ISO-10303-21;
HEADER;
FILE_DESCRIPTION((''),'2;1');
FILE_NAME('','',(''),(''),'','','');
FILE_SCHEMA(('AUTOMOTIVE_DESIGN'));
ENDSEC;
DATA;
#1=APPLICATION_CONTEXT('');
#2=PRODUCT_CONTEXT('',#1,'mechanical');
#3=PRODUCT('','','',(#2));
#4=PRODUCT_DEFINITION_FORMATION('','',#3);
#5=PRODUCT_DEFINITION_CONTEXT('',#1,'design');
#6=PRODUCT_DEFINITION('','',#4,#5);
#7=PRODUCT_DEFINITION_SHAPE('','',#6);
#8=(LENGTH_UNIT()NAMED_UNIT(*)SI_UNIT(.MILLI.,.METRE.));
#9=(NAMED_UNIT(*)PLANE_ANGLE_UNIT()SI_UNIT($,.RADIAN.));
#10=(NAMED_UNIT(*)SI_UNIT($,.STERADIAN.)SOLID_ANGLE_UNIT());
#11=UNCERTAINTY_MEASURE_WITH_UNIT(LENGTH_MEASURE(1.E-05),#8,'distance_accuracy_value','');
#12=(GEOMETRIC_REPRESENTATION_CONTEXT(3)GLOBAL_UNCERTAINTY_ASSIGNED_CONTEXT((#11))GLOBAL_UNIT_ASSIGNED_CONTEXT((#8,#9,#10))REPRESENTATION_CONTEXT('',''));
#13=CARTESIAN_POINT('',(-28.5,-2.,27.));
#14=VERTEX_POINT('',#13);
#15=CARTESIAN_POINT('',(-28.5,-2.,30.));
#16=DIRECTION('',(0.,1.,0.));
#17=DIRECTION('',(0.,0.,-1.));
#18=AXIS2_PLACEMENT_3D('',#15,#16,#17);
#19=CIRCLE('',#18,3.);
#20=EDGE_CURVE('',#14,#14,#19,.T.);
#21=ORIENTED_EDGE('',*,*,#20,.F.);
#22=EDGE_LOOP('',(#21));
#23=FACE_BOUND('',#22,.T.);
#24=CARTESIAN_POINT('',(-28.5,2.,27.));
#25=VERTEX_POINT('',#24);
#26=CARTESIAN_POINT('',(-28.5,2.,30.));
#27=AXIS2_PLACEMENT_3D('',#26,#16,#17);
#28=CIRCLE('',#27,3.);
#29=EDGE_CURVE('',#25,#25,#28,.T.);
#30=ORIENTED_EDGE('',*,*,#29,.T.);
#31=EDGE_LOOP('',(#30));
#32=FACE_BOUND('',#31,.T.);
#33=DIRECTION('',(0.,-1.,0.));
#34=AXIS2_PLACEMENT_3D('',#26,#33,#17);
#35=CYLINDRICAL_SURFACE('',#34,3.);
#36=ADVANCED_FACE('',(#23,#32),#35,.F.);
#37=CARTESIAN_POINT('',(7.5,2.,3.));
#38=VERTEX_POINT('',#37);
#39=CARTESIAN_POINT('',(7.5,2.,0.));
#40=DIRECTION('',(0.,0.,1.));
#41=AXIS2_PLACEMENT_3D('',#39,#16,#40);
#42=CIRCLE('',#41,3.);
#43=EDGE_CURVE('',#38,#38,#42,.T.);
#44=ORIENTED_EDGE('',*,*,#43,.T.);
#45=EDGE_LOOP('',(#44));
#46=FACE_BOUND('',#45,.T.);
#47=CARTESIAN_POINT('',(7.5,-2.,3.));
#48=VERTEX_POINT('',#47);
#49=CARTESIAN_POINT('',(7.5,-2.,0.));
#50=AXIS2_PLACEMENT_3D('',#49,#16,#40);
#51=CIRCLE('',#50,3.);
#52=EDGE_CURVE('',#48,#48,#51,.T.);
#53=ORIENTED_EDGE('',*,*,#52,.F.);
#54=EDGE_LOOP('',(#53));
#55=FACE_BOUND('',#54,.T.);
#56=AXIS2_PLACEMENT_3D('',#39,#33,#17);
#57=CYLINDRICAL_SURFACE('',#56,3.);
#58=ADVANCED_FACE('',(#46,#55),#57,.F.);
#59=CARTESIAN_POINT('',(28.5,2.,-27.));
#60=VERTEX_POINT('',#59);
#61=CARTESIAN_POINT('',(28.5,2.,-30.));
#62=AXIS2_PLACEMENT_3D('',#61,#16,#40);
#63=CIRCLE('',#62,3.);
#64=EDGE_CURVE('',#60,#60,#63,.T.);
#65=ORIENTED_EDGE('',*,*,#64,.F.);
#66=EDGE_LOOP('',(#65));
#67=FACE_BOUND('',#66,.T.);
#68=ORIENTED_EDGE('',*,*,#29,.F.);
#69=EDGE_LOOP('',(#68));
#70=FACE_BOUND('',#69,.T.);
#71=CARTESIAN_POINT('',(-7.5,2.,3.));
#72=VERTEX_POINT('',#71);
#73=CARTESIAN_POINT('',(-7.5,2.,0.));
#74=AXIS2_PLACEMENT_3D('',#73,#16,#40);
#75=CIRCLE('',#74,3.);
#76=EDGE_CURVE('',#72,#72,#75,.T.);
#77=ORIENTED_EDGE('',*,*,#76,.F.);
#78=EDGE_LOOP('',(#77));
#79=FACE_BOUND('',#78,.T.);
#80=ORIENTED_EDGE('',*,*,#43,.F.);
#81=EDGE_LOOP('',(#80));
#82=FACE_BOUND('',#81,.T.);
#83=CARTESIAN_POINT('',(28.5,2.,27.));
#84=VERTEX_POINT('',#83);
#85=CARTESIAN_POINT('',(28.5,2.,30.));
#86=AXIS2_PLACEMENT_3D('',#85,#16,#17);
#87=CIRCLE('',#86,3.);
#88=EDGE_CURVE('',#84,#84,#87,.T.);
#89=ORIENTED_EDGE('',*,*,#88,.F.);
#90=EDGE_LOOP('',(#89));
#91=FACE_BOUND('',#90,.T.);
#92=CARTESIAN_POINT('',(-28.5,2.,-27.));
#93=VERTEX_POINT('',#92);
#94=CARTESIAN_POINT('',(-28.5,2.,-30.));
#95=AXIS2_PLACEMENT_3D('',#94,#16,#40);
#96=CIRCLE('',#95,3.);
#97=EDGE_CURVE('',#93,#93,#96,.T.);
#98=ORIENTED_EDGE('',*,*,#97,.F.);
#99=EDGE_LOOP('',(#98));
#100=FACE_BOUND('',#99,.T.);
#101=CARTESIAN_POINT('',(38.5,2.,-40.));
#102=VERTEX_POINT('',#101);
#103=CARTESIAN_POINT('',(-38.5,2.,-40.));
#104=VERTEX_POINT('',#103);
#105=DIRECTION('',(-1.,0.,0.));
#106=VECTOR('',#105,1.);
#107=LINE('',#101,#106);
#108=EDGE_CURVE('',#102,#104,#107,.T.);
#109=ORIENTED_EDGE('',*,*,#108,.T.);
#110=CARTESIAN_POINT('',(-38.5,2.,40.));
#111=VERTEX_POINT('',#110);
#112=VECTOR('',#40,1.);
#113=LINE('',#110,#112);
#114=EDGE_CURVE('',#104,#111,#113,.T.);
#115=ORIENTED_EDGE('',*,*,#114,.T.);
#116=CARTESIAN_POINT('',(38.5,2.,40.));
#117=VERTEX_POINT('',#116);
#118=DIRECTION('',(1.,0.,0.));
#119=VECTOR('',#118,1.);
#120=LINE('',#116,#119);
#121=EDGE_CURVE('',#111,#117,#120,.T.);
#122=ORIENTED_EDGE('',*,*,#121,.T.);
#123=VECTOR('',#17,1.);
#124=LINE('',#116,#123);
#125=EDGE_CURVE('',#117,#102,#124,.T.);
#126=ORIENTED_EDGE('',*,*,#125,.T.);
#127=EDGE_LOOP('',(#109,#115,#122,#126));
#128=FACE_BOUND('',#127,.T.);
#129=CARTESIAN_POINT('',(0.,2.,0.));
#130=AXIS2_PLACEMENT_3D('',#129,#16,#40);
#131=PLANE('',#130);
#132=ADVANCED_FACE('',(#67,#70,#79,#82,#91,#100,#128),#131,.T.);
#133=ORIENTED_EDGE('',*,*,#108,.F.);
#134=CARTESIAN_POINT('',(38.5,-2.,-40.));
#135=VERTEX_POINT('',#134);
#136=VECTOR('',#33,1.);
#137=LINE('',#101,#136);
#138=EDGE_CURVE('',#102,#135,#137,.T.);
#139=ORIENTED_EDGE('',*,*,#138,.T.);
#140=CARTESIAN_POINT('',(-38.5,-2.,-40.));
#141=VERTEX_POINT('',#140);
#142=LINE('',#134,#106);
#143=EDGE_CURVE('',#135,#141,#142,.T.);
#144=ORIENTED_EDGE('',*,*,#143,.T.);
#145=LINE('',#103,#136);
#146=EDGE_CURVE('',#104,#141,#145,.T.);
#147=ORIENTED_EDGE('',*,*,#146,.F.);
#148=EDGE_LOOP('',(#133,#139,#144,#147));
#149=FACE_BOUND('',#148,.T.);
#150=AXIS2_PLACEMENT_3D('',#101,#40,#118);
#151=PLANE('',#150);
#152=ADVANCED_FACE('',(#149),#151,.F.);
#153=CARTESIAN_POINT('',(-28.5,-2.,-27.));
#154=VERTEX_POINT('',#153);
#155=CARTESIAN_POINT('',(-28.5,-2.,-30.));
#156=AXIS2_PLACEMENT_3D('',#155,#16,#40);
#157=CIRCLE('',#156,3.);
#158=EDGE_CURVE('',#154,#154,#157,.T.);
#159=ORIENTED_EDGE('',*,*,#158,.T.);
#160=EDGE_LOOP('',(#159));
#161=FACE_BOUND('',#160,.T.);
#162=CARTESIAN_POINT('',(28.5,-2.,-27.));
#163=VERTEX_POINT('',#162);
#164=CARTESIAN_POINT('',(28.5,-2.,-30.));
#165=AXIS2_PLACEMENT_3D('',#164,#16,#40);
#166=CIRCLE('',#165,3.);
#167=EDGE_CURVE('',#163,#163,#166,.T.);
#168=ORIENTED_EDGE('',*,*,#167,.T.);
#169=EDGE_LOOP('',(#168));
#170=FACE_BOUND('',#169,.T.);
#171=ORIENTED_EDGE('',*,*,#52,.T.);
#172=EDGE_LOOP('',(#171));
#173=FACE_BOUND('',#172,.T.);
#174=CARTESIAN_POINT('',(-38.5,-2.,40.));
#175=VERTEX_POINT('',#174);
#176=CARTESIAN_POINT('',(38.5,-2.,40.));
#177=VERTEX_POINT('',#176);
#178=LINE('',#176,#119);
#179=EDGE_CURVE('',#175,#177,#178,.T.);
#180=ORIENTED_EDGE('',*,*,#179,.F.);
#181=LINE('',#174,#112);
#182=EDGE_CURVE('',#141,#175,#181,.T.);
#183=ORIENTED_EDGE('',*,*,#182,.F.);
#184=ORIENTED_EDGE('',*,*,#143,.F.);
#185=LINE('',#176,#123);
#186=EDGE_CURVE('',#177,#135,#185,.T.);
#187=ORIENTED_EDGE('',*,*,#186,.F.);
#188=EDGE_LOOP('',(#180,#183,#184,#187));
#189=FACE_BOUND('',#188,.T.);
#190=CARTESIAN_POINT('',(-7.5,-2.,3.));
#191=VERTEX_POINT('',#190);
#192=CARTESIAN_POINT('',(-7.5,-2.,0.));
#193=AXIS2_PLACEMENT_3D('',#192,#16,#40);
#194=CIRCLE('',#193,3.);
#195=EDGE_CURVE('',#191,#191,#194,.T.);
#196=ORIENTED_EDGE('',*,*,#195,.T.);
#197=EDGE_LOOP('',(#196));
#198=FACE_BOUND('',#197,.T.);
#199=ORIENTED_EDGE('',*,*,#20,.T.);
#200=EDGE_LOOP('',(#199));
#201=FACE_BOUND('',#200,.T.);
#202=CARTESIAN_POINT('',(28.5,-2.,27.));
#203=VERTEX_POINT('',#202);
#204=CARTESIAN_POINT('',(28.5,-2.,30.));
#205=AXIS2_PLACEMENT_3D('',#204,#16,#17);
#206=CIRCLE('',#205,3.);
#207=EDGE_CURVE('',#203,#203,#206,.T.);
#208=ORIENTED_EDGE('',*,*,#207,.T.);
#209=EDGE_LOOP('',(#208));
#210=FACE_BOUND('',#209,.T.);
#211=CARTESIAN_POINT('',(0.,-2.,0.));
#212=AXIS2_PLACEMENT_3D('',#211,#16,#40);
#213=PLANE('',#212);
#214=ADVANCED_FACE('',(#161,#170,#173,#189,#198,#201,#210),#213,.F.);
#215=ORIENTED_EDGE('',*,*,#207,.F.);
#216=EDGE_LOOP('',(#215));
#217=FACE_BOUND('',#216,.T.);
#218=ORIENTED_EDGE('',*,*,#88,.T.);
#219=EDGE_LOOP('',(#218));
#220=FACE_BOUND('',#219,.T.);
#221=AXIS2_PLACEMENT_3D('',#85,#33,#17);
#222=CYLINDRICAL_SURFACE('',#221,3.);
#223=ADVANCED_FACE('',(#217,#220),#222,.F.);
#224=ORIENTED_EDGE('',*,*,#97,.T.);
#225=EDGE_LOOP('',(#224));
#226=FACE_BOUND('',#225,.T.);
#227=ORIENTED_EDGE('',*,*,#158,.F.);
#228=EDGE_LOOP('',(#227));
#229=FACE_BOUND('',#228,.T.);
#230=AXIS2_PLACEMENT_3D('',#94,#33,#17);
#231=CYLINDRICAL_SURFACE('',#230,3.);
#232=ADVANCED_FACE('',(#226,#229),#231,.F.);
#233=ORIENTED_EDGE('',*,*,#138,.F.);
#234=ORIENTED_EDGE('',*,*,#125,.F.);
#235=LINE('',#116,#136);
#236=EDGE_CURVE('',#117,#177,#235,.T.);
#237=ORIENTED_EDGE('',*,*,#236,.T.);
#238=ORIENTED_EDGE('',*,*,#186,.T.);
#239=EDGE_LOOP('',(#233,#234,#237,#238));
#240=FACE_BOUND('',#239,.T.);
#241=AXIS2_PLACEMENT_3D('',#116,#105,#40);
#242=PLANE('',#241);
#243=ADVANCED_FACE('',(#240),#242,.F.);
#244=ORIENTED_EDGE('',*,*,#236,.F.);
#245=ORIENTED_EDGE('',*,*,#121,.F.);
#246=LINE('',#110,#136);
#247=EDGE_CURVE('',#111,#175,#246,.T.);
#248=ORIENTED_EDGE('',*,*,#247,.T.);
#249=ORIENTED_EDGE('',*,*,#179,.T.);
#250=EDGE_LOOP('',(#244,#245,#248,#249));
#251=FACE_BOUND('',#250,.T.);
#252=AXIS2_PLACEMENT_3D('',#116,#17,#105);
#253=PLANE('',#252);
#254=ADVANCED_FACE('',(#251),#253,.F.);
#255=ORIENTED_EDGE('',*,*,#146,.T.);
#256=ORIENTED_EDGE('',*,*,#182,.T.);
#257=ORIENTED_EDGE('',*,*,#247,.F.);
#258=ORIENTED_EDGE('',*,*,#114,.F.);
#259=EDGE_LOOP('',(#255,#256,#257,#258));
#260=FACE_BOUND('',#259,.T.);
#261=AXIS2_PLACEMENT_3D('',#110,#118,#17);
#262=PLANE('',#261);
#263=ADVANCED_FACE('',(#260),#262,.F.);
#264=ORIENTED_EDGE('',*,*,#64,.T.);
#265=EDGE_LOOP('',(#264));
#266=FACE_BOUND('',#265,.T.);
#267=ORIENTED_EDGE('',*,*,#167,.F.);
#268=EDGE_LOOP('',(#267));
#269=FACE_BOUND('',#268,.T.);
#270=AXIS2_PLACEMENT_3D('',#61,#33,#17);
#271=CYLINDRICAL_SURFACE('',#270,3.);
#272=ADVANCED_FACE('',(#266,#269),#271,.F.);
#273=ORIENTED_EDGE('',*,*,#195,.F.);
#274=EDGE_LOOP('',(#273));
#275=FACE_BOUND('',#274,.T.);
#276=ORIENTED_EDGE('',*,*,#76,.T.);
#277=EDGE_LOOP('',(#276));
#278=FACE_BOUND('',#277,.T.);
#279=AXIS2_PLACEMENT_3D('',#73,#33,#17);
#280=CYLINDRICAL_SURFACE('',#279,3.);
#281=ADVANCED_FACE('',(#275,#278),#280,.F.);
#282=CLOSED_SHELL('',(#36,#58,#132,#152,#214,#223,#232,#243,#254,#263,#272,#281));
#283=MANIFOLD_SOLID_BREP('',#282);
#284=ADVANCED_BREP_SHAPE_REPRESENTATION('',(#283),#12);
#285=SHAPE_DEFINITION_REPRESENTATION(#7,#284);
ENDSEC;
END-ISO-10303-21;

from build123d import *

# Parameters (mm, degrees)
SKETCH1_W           = 77
SKETCH1_H           = 80
SKETCH1_R           = 3
BOSS_EXTRUDE1_DEPTH = 2


with BuildPart() as part:
    # Sketch1 → Boss-Extrude1 (new, symmetric)
    with BuildSketch(Plane(origin=(0, 0, 0), x_dir=(1, 0, 0), z_dir=(0, 1, 0))):
        Rectangle(SKETCH1_W, SKETCH1_H)
        with Locations(Location((-7.5, 0, 0), (0, 0, 270))):
            Circle(SKETCH1_R, mode=Mode.SUBTRACT)
        with Locations(Location((7.5, 0, 0), (0, 0, 270))):
            Circle(SKETCH1_R, mode=Mode.SUBTRACT)
        with Locations(Location((-28.5, 30, 0), (0, 0, 270))):
            Circle(SKETCH1_R, mode=Mode.SUBTRACT)
        with Locations(Location((28.5, 30, 0), (0, 0, 270))):
            Circle(SKETCH1_R, mode=Mode.SUBTRACT)
        with Locations(Location((28.5, -30, 0), (0, 0, 90))):
            Circle(SKETCH1_R, mode=Mode.SUBTRACT)
        with Locations(Location((-28.5, -30, 0), (0, 0, 90))):
            Circle(SKETCH1_R, mode=Mode.SUBTRACT)
    extrude(amount=BOSS_EXTRUDE1_DEPTH, both=True)


solid = part.part
